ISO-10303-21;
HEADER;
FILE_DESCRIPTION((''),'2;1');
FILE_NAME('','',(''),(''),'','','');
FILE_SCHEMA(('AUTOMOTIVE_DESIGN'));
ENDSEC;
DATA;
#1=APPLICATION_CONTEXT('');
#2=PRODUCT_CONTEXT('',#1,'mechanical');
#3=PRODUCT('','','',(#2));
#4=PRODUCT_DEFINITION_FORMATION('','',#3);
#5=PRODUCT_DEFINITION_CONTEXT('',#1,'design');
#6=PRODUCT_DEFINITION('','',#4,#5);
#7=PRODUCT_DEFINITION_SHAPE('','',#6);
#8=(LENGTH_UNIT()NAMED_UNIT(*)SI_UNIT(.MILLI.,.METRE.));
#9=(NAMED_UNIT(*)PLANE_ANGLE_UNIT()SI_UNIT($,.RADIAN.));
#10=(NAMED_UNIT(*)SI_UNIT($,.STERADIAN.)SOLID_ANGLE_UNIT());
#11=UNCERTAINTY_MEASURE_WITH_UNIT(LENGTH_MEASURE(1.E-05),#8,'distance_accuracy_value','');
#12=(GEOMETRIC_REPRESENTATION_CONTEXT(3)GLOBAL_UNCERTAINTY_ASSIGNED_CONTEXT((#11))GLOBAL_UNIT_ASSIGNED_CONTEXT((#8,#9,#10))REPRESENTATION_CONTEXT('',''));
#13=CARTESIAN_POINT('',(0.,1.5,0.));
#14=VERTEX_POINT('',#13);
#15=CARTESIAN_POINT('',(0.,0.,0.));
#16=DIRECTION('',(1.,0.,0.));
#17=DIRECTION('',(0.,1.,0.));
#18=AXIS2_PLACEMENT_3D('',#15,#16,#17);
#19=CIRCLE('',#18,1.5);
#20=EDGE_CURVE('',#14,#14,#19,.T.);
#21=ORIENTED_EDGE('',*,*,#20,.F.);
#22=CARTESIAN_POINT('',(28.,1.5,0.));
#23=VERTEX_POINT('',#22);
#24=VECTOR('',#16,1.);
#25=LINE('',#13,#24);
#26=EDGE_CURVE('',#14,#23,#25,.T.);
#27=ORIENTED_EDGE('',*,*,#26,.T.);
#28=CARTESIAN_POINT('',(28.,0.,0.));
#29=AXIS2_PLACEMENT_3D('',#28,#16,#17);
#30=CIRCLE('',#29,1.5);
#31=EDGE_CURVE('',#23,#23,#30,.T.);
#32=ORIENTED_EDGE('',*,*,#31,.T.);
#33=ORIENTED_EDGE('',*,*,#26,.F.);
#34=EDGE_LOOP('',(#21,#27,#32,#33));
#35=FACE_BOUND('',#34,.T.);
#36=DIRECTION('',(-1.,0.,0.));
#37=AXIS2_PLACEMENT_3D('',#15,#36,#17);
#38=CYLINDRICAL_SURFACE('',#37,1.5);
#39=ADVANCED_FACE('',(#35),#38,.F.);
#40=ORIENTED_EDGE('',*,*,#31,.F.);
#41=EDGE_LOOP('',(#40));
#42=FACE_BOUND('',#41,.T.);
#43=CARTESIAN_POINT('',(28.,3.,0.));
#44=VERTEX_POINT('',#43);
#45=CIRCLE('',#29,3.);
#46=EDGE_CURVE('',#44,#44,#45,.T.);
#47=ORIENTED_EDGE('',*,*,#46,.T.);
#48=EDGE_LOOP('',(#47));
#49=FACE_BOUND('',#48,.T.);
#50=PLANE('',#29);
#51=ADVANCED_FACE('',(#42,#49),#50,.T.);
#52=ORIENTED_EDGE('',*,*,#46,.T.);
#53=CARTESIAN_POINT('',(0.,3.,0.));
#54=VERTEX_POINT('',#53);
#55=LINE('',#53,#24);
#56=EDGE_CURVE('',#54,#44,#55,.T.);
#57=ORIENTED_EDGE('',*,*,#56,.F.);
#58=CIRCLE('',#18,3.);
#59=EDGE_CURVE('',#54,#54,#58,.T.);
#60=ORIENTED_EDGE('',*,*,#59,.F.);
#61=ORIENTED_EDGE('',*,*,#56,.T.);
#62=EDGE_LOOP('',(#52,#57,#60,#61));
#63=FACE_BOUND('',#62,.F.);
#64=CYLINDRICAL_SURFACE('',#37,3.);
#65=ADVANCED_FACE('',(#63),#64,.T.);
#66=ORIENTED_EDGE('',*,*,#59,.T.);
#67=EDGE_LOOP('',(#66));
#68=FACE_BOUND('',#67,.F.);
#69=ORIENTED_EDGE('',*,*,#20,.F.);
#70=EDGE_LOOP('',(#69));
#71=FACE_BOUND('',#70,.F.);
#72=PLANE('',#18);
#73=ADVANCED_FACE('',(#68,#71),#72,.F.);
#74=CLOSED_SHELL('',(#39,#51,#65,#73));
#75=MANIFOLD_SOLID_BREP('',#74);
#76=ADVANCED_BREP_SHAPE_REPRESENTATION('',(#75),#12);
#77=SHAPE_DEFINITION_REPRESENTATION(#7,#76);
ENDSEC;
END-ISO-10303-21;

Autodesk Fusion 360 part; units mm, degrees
sketch "草图1" plane through (0, 0, 0) normal (1, 0, 0) x (0, 1, 0)
  circle A0 centre (0, 0) radius 1.5
  circle A1 centre (0, 0) radius 3
  dimension "d1" = 3
  dimension "d2" = 6
extrude "拉伸1" add sketch "草图1" along normal blind 28
